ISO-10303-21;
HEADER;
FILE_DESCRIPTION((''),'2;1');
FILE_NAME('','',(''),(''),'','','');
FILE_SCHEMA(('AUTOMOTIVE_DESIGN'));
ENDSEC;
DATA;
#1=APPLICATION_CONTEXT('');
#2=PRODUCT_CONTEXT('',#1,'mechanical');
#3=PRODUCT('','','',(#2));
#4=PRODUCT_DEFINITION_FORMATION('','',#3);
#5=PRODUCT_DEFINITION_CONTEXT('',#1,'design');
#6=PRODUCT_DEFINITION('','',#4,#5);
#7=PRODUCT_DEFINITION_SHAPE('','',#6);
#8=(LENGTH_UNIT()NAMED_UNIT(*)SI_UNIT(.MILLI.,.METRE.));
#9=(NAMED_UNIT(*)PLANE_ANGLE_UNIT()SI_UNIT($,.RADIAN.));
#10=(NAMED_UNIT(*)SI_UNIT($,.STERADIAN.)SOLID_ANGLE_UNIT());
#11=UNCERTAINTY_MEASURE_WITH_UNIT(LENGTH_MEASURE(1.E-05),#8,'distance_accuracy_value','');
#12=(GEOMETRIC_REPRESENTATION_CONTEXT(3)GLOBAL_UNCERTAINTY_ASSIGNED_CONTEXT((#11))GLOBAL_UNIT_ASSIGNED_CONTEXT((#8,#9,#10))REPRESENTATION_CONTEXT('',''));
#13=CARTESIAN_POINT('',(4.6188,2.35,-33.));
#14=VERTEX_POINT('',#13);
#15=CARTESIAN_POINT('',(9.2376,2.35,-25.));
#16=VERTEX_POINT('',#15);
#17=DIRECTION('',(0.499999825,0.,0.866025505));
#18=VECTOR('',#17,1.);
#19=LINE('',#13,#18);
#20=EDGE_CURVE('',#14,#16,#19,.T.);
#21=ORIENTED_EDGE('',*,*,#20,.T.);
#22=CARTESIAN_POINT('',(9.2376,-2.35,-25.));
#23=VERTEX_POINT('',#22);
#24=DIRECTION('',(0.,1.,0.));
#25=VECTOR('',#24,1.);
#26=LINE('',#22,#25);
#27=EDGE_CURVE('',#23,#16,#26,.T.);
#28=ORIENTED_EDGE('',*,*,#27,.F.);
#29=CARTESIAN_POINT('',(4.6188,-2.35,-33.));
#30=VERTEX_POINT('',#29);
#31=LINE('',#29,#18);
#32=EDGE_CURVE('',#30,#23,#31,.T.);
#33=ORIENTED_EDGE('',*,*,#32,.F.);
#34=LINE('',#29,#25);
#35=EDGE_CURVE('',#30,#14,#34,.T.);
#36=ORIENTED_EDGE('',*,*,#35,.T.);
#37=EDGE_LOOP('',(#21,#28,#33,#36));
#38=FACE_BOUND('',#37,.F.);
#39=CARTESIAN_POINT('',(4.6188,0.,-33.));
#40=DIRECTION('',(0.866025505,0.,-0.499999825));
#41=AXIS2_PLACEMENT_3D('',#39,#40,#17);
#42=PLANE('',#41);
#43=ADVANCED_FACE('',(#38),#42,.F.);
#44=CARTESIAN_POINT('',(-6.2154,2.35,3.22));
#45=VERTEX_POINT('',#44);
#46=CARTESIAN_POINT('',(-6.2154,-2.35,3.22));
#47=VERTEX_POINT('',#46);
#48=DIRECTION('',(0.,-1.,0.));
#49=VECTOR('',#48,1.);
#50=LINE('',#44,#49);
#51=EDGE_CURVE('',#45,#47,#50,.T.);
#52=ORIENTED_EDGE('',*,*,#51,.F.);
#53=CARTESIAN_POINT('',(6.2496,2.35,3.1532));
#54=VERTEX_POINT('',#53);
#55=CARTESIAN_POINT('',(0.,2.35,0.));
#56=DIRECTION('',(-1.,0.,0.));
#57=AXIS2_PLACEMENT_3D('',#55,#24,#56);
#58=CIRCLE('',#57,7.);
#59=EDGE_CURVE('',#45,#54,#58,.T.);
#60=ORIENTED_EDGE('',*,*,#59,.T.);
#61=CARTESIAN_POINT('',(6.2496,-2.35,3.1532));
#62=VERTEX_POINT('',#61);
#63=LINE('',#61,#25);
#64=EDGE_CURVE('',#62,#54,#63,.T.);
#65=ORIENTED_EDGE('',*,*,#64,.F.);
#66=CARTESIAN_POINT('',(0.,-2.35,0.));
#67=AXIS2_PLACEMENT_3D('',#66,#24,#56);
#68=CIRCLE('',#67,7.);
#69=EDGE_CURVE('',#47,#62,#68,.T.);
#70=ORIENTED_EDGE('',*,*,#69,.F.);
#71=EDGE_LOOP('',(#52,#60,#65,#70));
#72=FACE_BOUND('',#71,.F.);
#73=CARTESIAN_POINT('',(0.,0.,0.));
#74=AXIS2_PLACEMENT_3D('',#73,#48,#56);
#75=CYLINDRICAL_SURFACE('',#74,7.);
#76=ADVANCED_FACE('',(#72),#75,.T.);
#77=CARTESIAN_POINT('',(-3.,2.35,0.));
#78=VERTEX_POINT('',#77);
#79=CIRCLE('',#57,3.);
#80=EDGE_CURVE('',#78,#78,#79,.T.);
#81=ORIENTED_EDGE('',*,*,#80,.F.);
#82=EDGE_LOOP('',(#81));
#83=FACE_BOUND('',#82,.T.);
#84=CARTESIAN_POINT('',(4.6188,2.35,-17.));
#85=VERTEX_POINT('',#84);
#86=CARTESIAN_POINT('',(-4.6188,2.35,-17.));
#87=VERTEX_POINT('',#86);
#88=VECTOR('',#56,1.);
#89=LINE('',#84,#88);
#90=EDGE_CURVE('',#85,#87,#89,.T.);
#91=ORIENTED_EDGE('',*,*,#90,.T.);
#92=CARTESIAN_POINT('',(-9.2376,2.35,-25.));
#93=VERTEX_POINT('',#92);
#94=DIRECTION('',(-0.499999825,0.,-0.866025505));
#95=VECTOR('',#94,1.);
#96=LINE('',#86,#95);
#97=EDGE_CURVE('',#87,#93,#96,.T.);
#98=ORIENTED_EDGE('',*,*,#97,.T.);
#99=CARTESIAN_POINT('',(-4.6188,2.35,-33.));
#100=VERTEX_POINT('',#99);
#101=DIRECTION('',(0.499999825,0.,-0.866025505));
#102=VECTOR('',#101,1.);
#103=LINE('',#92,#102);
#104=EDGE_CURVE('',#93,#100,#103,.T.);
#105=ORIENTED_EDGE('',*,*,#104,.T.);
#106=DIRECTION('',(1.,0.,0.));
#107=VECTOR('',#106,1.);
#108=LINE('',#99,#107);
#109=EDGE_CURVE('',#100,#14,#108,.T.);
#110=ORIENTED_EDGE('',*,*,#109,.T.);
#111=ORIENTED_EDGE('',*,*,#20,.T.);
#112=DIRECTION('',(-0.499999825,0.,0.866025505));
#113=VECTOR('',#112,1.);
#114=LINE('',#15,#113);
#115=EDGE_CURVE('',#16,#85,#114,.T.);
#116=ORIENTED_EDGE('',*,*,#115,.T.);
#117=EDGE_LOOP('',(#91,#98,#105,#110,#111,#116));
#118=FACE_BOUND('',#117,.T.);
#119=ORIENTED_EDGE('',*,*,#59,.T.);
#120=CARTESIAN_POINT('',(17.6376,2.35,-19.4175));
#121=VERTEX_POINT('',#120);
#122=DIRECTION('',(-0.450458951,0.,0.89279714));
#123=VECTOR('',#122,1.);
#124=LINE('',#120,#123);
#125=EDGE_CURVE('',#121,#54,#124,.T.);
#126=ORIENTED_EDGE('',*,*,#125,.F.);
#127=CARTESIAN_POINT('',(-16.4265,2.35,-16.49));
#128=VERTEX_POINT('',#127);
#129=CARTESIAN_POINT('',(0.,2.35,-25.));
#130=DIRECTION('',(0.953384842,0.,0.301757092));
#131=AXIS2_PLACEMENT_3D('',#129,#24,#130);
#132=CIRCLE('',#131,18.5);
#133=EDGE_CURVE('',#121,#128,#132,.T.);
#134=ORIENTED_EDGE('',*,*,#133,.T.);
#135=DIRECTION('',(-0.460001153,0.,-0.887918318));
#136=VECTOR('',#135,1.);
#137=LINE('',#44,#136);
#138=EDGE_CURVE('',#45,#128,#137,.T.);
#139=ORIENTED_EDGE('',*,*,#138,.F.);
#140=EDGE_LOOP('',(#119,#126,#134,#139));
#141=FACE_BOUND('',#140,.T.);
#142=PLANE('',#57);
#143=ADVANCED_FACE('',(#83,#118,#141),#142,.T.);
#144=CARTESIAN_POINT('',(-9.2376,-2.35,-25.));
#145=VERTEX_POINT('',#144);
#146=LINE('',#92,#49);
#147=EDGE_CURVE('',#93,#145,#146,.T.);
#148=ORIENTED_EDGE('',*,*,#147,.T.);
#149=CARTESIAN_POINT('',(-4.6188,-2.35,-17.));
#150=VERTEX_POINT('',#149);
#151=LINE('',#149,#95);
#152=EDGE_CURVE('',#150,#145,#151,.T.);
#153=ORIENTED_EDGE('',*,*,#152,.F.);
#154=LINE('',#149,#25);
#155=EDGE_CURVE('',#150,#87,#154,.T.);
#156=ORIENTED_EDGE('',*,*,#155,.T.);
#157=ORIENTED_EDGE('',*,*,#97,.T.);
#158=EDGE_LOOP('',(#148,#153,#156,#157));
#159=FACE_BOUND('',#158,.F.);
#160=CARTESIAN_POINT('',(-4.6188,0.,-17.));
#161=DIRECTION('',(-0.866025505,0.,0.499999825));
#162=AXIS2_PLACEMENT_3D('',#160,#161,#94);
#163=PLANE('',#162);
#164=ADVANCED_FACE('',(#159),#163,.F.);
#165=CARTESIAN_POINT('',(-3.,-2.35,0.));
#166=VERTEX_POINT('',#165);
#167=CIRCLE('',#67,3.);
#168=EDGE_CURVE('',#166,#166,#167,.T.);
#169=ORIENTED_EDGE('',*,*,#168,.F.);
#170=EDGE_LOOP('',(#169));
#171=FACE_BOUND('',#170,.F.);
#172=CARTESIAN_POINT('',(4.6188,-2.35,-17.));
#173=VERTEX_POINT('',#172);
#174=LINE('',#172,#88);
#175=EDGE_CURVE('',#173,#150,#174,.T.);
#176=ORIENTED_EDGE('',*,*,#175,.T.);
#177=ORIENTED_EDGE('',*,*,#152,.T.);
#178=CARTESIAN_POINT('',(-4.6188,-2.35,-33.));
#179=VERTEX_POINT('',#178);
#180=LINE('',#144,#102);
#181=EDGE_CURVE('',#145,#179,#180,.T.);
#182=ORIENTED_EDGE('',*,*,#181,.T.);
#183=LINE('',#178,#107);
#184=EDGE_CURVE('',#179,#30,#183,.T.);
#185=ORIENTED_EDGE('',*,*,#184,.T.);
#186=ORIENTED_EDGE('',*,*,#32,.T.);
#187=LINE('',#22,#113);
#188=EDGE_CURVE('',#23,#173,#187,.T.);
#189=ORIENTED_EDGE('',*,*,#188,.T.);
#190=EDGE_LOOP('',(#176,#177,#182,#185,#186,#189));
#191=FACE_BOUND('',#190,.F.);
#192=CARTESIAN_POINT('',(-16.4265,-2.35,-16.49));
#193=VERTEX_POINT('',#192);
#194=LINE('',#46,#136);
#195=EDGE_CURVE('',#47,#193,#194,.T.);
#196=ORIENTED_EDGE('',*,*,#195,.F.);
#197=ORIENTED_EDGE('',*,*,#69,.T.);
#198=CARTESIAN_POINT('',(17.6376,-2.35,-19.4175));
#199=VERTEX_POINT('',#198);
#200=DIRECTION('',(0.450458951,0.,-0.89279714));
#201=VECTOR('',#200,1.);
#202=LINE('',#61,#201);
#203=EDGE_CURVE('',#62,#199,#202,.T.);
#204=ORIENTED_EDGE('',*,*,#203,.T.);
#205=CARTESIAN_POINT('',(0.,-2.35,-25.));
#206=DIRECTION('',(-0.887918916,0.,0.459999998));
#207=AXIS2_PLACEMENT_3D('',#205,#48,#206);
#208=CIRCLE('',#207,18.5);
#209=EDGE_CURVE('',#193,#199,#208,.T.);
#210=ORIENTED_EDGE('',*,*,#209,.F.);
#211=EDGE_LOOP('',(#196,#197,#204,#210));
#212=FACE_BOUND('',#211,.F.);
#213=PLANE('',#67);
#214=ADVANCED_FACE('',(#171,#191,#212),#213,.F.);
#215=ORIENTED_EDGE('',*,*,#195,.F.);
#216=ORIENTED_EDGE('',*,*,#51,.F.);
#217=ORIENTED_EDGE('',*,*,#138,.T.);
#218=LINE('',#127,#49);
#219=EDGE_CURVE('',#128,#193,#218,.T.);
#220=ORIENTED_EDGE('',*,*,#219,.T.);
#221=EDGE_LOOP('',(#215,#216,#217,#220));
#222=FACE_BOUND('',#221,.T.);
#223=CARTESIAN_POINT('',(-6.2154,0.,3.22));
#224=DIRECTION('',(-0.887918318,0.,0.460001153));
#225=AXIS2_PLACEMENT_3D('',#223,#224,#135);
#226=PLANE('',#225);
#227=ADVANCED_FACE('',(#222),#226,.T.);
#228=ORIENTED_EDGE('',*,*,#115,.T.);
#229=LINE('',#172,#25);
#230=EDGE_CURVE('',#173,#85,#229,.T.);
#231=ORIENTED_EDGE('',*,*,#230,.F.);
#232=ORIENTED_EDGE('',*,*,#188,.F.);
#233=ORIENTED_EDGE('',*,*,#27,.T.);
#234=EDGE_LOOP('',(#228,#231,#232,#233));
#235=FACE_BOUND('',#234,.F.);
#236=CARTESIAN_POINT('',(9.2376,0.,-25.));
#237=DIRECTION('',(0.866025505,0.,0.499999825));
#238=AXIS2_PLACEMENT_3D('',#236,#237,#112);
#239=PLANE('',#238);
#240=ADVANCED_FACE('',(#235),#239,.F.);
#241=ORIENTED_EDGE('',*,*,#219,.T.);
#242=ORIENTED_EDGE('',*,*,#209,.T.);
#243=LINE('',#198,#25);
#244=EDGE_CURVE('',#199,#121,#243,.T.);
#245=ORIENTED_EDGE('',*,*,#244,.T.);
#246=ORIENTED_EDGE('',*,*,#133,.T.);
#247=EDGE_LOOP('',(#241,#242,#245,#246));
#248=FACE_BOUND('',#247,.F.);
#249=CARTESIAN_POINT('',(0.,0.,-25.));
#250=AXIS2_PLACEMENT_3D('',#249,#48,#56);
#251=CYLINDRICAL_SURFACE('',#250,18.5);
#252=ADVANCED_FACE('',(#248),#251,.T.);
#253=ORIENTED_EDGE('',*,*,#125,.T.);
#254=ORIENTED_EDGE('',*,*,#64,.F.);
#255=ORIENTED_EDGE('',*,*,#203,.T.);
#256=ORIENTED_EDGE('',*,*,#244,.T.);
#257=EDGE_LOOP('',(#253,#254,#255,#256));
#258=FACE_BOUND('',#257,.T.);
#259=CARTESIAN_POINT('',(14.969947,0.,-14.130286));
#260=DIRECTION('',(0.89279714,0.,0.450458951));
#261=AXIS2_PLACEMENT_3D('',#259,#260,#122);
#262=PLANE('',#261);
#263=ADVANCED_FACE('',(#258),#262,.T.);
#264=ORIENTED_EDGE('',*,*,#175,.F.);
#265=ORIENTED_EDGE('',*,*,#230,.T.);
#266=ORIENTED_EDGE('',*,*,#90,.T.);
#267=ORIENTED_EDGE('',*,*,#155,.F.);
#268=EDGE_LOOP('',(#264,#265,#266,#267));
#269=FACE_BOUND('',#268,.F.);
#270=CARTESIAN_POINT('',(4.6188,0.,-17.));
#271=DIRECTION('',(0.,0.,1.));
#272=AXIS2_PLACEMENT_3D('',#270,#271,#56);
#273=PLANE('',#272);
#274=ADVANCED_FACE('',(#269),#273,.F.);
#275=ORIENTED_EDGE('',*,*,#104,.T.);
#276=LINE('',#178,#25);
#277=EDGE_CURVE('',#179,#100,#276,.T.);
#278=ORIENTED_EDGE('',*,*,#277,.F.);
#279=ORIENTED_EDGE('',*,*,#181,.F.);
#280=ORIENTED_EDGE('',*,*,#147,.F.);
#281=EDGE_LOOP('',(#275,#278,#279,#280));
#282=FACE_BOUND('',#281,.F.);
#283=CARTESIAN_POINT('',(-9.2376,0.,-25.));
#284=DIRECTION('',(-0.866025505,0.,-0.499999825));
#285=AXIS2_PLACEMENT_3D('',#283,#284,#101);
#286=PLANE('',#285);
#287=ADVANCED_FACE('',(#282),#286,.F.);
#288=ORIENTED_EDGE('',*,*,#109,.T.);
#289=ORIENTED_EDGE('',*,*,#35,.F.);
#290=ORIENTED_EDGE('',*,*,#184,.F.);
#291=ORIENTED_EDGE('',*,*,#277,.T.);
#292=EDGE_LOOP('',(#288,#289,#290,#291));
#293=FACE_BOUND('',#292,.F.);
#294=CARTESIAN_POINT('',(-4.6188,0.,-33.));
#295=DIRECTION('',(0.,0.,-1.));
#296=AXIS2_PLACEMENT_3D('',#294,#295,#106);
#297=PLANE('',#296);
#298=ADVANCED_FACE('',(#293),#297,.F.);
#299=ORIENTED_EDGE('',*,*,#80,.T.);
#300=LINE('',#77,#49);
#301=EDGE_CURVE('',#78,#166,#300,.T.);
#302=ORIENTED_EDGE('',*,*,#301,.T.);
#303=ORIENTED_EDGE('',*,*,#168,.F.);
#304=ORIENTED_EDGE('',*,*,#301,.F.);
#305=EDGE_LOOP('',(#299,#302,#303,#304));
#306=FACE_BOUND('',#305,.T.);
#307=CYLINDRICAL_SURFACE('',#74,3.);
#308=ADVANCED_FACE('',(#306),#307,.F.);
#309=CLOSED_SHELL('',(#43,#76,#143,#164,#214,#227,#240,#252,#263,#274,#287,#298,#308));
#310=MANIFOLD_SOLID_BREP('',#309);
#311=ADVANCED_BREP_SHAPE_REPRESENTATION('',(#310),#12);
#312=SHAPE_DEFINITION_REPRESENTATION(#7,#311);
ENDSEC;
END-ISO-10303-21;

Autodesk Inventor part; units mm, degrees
ref_plane "YZ Plane" through (0, 0, 0) normal (1, 0, 0) x (0, 1, 0)
ref_plane "XZ Plane" through (0, 0, 0) normal (0, 1, 0) x (-1, 0, 0)
ref_plane "XY Plane" through (0, 0, 0) normal (0, 0, 1) x (1, 0, 0)
sketch "Sketch1" plane through (0, 0, 0) normal (0, 1, 0) x (-1, 0, 0)
  circle A0 centre (0, 0) radius 3
  circle A1 centre (0, 0) radius 7
  circle A2 centre (0, -25) radius 18.5
  line L0 (6.2154, 3.22) -> (16.4265, -16.49)
  line L1 (-17.6376, -19.4175) -> (-6.2496, 3.1532)
  line L2 (9.2376, -25) -> (4.6188, -33)
  line L3 (4.6188, -33) -> (-4.6188, -33)
  line L4 (-4.6188, -33) -> (-9.2376, -25)
  line L5 (-9.2376, -25) -> (-4.6188, -17)
  line L6 (-4.6188, -17) -> (4.6188, -17)
  line L7 (4.6188, -17) -> (9.2376, -25)
  point P0 (4.4139, 5.433)
  point P1 (-13.2255, -12.0641)
  dimension "d3" = 6
  dimension "d6" = 14
  dimension "d11" = 25
  dimension "d12" = 37
  dimension "d13" = 16
extrude "Plate1" add sketch "Sketch1" along normal mid plane 4.7 contours A1 A2 | A1 L0 A2 | A2 L1 A1 | A1 A2 | A1 A2 L1
equation "\"d9\" = Thickness"
equation "\"BendRadius\" = Thickness"
equation "\"BendReliefWidth\" = Thickness"
equation "\"BendReliefDepth\" = 0.5 * Thickness"
equation "\"CornerReliefSize\" = 4 * Thickness"
equation "\"MinimumRemnant\" = 2 * Thickness"
equation "\"TransitionRadius\" = BendRadius"
equation "\"JacobiRadiusSize\" = BendRadius"
equation "\"GapSize\" = Thickness"
equation "\"Thickness\" = 4.7"
properties part number "palanca2"
